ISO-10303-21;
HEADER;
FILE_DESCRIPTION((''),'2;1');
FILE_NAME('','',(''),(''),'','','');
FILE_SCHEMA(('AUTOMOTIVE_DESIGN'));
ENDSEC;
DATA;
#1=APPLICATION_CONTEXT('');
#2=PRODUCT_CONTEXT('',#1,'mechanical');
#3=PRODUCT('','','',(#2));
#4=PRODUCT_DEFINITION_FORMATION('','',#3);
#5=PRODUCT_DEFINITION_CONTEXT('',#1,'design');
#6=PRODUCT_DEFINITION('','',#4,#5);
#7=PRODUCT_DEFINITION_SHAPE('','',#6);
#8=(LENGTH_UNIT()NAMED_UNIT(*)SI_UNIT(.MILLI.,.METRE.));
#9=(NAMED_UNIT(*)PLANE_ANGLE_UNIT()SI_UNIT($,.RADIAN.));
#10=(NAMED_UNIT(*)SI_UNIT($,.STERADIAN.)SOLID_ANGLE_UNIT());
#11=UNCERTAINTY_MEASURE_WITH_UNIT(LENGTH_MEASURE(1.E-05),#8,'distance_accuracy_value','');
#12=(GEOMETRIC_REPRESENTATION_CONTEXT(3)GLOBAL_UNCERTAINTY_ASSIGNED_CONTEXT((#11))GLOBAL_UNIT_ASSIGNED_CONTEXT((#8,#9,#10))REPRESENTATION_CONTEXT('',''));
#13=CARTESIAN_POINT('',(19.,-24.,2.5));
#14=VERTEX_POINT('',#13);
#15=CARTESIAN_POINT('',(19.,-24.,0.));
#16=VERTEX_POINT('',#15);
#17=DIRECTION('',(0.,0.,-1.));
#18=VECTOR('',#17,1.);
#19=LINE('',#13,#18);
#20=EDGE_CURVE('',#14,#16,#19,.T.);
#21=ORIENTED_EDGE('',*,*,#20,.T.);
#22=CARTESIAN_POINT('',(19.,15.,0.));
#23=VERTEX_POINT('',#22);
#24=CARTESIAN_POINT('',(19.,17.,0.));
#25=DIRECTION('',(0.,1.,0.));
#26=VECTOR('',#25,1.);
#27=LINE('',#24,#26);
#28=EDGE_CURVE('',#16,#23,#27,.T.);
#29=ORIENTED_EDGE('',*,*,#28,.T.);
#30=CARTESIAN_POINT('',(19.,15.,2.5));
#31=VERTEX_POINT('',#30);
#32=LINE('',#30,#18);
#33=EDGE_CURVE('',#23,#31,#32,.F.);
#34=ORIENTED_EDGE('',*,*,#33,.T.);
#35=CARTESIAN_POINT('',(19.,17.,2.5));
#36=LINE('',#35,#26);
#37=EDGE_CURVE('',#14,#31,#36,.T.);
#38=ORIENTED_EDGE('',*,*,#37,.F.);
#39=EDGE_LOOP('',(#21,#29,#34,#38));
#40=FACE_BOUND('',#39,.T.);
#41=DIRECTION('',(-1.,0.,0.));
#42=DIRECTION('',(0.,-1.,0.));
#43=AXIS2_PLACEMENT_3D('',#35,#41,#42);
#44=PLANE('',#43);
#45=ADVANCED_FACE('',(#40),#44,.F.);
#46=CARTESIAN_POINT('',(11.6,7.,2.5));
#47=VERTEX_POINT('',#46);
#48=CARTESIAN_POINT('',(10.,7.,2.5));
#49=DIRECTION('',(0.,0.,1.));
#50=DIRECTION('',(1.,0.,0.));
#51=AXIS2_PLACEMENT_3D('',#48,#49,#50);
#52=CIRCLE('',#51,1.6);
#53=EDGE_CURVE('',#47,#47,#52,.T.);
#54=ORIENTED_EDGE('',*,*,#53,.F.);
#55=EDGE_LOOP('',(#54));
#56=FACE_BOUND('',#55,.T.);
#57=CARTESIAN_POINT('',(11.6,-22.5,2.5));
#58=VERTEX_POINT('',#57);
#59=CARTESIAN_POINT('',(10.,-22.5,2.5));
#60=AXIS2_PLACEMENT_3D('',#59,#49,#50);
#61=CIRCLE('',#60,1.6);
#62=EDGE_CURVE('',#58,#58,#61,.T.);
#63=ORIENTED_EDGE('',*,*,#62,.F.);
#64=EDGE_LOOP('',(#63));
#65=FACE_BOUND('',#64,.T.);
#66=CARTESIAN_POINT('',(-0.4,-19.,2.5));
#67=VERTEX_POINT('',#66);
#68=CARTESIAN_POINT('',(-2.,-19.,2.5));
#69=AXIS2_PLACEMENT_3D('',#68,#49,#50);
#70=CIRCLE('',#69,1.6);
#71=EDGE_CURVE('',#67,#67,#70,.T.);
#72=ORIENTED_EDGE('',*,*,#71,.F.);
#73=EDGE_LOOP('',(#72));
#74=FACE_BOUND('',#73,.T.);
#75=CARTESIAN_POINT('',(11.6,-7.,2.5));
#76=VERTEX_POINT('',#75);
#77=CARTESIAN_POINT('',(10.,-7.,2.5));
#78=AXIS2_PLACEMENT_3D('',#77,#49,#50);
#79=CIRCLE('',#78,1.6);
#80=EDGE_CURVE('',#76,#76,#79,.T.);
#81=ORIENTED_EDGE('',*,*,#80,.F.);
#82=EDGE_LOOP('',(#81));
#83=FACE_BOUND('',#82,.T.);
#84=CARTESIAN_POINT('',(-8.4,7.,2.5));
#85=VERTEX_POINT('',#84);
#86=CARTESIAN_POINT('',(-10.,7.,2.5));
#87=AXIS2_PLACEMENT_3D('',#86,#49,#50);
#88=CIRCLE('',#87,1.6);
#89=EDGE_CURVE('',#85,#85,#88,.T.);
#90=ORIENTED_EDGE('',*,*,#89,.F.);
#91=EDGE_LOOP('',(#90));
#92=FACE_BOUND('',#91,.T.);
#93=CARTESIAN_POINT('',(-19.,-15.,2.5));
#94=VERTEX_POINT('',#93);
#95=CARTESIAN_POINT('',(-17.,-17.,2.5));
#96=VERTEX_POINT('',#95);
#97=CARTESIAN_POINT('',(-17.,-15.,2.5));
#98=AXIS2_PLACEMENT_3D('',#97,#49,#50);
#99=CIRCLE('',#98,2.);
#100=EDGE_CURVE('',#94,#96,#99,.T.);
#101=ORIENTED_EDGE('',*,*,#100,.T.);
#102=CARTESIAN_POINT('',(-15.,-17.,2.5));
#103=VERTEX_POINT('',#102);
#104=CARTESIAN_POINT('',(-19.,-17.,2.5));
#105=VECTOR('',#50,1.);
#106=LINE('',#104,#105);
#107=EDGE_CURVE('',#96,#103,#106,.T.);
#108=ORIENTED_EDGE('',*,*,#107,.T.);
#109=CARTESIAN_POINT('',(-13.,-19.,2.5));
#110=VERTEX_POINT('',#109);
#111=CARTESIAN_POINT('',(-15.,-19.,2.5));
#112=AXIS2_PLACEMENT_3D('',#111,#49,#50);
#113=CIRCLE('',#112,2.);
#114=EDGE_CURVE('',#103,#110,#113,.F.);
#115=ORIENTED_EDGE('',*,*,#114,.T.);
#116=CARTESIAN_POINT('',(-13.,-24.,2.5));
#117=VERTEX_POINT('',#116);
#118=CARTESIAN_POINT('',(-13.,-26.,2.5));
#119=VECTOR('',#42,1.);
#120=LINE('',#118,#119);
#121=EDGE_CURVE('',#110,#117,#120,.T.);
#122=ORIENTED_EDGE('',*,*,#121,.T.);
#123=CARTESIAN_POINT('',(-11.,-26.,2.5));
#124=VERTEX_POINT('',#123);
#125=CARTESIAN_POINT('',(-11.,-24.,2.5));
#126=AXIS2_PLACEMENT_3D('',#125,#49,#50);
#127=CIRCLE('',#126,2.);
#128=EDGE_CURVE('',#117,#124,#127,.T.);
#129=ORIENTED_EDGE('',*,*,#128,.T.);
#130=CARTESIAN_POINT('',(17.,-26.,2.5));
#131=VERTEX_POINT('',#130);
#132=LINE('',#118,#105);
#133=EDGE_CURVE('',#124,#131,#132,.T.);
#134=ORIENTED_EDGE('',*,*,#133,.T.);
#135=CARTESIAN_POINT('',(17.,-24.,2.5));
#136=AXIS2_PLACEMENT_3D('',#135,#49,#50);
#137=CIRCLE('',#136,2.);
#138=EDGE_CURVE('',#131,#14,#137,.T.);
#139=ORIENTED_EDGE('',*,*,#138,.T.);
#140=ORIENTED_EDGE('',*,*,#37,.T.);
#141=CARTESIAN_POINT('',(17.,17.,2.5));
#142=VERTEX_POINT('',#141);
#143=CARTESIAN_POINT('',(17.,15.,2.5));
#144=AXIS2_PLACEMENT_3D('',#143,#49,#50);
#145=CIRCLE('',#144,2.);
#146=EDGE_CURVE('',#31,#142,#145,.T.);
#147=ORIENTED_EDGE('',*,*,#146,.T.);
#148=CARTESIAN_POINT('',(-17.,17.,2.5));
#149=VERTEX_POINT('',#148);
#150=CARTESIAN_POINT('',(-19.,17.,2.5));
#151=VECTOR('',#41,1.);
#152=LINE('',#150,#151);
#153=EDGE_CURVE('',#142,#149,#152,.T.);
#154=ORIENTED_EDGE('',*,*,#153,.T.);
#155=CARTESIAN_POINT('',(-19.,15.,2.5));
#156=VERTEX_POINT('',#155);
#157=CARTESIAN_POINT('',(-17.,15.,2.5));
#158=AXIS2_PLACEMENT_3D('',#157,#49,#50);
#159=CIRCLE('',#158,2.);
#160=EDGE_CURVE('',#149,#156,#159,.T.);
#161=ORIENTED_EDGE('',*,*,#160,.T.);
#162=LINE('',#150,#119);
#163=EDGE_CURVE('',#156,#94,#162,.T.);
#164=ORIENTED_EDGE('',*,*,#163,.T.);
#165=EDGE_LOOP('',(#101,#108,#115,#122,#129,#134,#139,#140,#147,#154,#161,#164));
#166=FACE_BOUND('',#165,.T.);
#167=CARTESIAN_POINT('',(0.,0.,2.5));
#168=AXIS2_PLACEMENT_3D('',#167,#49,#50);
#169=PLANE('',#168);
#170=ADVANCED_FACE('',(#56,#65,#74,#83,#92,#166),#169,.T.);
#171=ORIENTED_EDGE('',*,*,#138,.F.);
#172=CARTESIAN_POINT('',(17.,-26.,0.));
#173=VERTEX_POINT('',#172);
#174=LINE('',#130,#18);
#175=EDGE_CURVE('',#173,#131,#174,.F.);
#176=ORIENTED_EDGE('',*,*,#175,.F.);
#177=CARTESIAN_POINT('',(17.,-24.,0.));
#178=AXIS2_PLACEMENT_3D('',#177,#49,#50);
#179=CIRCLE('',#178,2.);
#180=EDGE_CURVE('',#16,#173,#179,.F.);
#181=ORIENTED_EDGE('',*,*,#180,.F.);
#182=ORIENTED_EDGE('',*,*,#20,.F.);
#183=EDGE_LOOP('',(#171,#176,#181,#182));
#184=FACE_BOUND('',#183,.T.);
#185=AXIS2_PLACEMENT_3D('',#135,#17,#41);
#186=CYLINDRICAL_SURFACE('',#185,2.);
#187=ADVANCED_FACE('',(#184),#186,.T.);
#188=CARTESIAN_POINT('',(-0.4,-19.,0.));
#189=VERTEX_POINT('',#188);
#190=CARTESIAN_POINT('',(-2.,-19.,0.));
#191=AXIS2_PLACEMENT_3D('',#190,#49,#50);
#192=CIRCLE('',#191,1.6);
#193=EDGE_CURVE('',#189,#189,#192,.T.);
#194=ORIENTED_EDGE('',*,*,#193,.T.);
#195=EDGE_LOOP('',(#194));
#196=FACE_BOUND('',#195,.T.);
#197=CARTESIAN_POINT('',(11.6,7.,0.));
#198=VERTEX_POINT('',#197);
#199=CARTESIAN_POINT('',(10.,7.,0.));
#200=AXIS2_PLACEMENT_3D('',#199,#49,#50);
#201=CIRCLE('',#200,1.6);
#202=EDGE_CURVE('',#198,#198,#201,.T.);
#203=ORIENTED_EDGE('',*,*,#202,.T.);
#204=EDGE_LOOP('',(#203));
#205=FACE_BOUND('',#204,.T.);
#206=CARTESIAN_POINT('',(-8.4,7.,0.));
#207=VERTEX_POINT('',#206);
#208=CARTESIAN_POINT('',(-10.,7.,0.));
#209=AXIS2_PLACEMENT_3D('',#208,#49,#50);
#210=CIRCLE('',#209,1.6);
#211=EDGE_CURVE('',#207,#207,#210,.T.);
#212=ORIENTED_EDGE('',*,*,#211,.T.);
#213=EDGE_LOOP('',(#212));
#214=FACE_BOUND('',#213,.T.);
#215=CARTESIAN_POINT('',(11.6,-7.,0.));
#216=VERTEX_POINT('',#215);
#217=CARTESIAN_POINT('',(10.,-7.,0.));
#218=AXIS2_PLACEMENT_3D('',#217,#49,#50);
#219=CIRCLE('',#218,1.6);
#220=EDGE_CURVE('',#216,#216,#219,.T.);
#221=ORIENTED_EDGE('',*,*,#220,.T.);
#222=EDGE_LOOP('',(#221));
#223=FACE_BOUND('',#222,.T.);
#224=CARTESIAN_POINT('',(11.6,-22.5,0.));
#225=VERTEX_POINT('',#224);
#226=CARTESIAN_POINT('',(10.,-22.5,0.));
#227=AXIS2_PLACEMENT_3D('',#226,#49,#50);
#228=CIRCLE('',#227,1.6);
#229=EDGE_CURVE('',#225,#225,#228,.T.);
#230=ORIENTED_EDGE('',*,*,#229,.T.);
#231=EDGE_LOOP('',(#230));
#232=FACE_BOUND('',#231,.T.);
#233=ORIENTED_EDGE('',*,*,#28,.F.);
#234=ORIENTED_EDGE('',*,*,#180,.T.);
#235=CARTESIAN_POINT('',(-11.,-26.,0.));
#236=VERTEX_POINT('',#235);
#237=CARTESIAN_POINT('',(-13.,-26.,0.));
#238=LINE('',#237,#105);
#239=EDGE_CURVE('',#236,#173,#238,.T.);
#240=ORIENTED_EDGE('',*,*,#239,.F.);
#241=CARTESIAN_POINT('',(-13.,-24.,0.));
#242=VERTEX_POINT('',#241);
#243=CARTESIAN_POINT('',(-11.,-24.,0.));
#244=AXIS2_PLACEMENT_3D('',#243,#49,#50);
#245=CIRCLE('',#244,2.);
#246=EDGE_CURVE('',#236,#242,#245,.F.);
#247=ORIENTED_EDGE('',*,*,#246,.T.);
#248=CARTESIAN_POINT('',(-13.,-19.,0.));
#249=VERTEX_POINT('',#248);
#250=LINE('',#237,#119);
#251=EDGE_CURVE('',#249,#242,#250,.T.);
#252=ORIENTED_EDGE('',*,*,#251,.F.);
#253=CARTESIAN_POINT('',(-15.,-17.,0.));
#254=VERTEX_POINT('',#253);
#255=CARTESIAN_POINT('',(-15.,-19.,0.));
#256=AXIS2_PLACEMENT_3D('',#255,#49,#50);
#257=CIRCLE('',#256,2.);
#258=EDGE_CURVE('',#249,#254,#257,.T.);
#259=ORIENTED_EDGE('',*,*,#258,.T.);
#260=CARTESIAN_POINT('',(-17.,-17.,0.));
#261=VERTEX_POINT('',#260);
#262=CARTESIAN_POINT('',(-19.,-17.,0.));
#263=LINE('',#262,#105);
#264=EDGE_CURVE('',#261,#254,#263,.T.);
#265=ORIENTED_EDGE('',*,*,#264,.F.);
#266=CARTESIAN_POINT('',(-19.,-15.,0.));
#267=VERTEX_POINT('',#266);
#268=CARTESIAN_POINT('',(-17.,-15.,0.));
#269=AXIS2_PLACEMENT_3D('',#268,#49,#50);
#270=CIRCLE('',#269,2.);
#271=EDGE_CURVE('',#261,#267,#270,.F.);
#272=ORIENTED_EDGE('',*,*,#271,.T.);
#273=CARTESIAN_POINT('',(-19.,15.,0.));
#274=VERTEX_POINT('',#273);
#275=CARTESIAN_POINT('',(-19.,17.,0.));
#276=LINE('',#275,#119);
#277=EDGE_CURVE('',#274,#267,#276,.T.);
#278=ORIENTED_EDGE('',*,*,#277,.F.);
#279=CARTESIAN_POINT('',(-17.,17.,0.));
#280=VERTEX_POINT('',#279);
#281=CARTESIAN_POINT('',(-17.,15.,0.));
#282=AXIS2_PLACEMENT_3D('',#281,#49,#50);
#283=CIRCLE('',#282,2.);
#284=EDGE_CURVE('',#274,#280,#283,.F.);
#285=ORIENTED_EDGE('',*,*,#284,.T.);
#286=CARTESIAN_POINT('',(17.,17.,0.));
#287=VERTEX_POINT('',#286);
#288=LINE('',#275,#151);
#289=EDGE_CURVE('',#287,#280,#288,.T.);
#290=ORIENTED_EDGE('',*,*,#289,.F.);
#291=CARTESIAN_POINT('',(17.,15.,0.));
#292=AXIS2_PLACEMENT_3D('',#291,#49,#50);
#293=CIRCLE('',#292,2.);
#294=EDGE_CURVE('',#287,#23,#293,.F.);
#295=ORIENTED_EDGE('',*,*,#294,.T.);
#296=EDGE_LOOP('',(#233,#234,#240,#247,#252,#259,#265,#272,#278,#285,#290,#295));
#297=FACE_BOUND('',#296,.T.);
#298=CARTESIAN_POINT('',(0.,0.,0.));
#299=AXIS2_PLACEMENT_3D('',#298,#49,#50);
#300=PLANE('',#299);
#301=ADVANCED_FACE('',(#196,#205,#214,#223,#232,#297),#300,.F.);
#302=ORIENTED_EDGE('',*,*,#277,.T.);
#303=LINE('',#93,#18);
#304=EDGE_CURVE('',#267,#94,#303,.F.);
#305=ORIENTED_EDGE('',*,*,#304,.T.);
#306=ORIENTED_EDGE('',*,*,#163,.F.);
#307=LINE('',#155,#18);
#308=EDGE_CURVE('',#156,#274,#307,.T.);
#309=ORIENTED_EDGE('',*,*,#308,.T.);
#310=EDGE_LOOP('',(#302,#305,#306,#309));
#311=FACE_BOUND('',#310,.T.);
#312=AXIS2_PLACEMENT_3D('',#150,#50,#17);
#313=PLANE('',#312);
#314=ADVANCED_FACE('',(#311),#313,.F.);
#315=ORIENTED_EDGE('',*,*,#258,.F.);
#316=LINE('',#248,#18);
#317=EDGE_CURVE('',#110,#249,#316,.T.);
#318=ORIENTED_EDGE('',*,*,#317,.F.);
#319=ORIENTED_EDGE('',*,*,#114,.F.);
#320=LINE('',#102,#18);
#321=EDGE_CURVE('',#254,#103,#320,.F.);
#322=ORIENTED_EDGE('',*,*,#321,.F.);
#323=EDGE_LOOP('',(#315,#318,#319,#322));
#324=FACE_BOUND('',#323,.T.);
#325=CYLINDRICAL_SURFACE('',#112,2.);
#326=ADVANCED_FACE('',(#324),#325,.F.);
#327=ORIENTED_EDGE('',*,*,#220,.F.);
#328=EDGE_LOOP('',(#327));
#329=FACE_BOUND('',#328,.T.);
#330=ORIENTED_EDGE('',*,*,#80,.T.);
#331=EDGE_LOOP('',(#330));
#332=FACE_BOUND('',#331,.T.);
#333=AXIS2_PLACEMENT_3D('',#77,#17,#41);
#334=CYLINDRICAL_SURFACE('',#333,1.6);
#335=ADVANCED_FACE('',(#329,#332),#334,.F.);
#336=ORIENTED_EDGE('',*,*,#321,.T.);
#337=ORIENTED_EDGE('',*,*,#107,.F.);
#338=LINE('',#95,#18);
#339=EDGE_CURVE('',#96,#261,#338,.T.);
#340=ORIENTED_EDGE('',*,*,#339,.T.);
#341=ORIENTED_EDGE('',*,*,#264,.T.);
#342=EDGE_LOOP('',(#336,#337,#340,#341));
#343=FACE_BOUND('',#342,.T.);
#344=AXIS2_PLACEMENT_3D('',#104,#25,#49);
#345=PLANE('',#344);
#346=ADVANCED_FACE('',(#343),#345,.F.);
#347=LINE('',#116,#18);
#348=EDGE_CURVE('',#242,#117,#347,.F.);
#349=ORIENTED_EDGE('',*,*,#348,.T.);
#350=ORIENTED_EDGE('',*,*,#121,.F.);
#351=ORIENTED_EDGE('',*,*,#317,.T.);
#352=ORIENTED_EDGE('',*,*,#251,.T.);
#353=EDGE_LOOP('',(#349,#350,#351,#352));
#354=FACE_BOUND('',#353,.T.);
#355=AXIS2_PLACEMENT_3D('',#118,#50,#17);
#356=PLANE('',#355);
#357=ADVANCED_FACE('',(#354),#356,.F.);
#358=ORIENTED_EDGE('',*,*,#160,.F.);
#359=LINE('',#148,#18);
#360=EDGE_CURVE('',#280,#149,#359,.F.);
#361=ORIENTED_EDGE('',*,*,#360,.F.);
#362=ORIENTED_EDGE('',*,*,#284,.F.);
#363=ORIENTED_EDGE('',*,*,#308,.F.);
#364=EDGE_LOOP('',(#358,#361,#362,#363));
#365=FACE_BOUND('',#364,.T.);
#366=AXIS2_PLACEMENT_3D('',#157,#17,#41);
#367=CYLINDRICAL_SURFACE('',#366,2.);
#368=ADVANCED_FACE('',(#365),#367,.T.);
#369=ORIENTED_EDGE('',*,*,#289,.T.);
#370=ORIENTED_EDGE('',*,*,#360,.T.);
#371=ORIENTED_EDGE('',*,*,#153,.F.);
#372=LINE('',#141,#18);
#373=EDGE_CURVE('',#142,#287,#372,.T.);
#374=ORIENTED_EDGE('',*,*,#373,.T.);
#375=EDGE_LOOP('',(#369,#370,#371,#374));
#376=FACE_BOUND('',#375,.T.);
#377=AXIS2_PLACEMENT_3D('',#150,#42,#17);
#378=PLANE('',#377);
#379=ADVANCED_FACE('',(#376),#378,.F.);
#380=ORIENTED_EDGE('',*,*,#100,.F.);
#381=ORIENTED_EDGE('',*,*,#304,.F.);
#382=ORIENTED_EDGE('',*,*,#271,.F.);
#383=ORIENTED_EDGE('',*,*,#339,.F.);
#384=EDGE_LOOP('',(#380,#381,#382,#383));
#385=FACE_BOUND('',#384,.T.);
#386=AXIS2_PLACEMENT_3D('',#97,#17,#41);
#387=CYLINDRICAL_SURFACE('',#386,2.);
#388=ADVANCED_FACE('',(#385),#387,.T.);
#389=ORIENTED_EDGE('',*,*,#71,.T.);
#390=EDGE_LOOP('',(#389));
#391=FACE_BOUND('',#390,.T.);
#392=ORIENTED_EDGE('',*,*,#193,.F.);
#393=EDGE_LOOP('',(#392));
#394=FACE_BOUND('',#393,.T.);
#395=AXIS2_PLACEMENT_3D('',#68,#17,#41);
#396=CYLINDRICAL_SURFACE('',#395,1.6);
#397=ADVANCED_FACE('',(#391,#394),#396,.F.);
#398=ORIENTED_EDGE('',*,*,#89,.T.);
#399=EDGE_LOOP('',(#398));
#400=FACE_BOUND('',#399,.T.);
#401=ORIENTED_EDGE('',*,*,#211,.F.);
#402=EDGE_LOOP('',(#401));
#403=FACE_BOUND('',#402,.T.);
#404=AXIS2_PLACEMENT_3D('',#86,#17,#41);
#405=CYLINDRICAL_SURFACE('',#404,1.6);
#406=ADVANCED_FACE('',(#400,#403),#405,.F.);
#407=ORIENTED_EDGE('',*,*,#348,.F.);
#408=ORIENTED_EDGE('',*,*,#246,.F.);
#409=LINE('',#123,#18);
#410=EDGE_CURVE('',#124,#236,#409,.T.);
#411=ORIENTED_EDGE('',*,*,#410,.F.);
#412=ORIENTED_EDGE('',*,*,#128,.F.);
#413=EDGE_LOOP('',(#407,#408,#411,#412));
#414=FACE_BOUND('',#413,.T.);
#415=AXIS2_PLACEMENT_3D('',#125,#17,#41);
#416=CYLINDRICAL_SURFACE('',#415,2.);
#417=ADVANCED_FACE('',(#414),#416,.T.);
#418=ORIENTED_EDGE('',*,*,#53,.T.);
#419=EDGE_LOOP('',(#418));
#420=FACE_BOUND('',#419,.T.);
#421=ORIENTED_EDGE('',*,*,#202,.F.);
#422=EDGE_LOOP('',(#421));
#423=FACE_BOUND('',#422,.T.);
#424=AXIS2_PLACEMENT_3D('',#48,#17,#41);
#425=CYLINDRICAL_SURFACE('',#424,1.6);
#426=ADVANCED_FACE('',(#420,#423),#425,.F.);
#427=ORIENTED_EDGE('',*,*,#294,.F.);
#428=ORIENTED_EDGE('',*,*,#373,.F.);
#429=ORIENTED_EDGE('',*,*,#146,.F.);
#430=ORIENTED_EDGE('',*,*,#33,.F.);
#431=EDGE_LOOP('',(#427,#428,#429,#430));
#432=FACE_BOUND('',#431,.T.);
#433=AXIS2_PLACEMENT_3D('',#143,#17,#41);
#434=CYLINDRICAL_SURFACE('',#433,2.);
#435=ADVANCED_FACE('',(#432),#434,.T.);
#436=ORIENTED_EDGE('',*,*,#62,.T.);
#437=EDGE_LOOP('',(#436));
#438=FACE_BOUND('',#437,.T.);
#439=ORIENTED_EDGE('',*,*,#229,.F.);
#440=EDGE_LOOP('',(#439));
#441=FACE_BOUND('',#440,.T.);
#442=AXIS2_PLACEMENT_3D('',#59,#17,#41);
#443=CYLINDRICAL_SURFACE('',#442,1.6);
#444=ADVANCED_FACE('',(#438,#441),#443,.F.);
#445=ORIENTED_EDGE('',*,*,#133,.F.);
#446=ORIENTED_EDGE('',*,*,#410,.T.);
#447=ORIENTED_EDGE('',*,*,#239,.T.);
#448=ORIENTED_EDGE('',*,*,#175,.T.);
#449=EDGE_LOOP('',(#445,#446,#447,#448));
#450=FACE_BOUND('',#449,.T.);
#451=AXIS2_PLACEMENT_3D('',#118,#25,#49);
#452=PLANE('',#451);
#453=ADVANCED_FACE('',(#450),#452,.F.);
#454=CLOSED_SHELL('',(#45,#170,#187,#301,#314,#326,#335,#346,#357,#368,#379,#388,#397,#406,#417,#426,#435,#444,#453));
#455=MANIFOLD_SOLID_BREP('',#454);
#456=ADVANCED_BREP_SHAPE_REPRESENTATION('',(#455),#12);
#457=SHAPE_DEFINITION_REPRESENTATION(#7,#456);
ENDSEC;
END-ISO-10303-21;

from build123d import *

# Parameters (mm, degrees)
SKETCH_1_R      = 1.6
EXTRUDE_1_DEPTH = 2.5
FILLET_2_R      = 2


with BuildPart() as part:
    # 草图1 → 凸台-拉伸1 (new body)
    with BuildSketch(Plane.XY):
        Polygon((-19, 17), (19, 17), (19, -26), (-13, -26), (-13, -17), (-19, -17), align=None)
        with Locations((10, 7)):
            Circle(SKETCH_1_R, mode=Mode.SUBTRACT)
        with Locations((-10, 7)):
            Circle(SKETCH_1_R, mode=Mode.SUBTRACT)
        with Locations((10, -22.5)):
            Circle(SKETCH_1_R, mode=Mode.SUBTRACT)
        with Locations((10, -7)):
            Circle(SKETCH_1_R, mode=Mode.SUBTRACT)
        with Locations((-2, -19)):
            Circle(SKETCH_1_R, mode=Mode.SUBTRACT)
    extrude(amount=EXTRUDE_1_DEPTH)

    # 圆角2
    fillet_2_edges = [part.edges().sort_by_distance(p)[0] for p in [
        (-19, 17, 1.25),
        (19, 17, 1.25),
        (19, -26, 1.25),
        (-13, -26, 1.25),
        (-13, -17, 1.25),
        (-19, -17, 1.25),
    ]]
    fillet(fillet_2_edges, radius=FILLET_2_R)


solid = part.part
